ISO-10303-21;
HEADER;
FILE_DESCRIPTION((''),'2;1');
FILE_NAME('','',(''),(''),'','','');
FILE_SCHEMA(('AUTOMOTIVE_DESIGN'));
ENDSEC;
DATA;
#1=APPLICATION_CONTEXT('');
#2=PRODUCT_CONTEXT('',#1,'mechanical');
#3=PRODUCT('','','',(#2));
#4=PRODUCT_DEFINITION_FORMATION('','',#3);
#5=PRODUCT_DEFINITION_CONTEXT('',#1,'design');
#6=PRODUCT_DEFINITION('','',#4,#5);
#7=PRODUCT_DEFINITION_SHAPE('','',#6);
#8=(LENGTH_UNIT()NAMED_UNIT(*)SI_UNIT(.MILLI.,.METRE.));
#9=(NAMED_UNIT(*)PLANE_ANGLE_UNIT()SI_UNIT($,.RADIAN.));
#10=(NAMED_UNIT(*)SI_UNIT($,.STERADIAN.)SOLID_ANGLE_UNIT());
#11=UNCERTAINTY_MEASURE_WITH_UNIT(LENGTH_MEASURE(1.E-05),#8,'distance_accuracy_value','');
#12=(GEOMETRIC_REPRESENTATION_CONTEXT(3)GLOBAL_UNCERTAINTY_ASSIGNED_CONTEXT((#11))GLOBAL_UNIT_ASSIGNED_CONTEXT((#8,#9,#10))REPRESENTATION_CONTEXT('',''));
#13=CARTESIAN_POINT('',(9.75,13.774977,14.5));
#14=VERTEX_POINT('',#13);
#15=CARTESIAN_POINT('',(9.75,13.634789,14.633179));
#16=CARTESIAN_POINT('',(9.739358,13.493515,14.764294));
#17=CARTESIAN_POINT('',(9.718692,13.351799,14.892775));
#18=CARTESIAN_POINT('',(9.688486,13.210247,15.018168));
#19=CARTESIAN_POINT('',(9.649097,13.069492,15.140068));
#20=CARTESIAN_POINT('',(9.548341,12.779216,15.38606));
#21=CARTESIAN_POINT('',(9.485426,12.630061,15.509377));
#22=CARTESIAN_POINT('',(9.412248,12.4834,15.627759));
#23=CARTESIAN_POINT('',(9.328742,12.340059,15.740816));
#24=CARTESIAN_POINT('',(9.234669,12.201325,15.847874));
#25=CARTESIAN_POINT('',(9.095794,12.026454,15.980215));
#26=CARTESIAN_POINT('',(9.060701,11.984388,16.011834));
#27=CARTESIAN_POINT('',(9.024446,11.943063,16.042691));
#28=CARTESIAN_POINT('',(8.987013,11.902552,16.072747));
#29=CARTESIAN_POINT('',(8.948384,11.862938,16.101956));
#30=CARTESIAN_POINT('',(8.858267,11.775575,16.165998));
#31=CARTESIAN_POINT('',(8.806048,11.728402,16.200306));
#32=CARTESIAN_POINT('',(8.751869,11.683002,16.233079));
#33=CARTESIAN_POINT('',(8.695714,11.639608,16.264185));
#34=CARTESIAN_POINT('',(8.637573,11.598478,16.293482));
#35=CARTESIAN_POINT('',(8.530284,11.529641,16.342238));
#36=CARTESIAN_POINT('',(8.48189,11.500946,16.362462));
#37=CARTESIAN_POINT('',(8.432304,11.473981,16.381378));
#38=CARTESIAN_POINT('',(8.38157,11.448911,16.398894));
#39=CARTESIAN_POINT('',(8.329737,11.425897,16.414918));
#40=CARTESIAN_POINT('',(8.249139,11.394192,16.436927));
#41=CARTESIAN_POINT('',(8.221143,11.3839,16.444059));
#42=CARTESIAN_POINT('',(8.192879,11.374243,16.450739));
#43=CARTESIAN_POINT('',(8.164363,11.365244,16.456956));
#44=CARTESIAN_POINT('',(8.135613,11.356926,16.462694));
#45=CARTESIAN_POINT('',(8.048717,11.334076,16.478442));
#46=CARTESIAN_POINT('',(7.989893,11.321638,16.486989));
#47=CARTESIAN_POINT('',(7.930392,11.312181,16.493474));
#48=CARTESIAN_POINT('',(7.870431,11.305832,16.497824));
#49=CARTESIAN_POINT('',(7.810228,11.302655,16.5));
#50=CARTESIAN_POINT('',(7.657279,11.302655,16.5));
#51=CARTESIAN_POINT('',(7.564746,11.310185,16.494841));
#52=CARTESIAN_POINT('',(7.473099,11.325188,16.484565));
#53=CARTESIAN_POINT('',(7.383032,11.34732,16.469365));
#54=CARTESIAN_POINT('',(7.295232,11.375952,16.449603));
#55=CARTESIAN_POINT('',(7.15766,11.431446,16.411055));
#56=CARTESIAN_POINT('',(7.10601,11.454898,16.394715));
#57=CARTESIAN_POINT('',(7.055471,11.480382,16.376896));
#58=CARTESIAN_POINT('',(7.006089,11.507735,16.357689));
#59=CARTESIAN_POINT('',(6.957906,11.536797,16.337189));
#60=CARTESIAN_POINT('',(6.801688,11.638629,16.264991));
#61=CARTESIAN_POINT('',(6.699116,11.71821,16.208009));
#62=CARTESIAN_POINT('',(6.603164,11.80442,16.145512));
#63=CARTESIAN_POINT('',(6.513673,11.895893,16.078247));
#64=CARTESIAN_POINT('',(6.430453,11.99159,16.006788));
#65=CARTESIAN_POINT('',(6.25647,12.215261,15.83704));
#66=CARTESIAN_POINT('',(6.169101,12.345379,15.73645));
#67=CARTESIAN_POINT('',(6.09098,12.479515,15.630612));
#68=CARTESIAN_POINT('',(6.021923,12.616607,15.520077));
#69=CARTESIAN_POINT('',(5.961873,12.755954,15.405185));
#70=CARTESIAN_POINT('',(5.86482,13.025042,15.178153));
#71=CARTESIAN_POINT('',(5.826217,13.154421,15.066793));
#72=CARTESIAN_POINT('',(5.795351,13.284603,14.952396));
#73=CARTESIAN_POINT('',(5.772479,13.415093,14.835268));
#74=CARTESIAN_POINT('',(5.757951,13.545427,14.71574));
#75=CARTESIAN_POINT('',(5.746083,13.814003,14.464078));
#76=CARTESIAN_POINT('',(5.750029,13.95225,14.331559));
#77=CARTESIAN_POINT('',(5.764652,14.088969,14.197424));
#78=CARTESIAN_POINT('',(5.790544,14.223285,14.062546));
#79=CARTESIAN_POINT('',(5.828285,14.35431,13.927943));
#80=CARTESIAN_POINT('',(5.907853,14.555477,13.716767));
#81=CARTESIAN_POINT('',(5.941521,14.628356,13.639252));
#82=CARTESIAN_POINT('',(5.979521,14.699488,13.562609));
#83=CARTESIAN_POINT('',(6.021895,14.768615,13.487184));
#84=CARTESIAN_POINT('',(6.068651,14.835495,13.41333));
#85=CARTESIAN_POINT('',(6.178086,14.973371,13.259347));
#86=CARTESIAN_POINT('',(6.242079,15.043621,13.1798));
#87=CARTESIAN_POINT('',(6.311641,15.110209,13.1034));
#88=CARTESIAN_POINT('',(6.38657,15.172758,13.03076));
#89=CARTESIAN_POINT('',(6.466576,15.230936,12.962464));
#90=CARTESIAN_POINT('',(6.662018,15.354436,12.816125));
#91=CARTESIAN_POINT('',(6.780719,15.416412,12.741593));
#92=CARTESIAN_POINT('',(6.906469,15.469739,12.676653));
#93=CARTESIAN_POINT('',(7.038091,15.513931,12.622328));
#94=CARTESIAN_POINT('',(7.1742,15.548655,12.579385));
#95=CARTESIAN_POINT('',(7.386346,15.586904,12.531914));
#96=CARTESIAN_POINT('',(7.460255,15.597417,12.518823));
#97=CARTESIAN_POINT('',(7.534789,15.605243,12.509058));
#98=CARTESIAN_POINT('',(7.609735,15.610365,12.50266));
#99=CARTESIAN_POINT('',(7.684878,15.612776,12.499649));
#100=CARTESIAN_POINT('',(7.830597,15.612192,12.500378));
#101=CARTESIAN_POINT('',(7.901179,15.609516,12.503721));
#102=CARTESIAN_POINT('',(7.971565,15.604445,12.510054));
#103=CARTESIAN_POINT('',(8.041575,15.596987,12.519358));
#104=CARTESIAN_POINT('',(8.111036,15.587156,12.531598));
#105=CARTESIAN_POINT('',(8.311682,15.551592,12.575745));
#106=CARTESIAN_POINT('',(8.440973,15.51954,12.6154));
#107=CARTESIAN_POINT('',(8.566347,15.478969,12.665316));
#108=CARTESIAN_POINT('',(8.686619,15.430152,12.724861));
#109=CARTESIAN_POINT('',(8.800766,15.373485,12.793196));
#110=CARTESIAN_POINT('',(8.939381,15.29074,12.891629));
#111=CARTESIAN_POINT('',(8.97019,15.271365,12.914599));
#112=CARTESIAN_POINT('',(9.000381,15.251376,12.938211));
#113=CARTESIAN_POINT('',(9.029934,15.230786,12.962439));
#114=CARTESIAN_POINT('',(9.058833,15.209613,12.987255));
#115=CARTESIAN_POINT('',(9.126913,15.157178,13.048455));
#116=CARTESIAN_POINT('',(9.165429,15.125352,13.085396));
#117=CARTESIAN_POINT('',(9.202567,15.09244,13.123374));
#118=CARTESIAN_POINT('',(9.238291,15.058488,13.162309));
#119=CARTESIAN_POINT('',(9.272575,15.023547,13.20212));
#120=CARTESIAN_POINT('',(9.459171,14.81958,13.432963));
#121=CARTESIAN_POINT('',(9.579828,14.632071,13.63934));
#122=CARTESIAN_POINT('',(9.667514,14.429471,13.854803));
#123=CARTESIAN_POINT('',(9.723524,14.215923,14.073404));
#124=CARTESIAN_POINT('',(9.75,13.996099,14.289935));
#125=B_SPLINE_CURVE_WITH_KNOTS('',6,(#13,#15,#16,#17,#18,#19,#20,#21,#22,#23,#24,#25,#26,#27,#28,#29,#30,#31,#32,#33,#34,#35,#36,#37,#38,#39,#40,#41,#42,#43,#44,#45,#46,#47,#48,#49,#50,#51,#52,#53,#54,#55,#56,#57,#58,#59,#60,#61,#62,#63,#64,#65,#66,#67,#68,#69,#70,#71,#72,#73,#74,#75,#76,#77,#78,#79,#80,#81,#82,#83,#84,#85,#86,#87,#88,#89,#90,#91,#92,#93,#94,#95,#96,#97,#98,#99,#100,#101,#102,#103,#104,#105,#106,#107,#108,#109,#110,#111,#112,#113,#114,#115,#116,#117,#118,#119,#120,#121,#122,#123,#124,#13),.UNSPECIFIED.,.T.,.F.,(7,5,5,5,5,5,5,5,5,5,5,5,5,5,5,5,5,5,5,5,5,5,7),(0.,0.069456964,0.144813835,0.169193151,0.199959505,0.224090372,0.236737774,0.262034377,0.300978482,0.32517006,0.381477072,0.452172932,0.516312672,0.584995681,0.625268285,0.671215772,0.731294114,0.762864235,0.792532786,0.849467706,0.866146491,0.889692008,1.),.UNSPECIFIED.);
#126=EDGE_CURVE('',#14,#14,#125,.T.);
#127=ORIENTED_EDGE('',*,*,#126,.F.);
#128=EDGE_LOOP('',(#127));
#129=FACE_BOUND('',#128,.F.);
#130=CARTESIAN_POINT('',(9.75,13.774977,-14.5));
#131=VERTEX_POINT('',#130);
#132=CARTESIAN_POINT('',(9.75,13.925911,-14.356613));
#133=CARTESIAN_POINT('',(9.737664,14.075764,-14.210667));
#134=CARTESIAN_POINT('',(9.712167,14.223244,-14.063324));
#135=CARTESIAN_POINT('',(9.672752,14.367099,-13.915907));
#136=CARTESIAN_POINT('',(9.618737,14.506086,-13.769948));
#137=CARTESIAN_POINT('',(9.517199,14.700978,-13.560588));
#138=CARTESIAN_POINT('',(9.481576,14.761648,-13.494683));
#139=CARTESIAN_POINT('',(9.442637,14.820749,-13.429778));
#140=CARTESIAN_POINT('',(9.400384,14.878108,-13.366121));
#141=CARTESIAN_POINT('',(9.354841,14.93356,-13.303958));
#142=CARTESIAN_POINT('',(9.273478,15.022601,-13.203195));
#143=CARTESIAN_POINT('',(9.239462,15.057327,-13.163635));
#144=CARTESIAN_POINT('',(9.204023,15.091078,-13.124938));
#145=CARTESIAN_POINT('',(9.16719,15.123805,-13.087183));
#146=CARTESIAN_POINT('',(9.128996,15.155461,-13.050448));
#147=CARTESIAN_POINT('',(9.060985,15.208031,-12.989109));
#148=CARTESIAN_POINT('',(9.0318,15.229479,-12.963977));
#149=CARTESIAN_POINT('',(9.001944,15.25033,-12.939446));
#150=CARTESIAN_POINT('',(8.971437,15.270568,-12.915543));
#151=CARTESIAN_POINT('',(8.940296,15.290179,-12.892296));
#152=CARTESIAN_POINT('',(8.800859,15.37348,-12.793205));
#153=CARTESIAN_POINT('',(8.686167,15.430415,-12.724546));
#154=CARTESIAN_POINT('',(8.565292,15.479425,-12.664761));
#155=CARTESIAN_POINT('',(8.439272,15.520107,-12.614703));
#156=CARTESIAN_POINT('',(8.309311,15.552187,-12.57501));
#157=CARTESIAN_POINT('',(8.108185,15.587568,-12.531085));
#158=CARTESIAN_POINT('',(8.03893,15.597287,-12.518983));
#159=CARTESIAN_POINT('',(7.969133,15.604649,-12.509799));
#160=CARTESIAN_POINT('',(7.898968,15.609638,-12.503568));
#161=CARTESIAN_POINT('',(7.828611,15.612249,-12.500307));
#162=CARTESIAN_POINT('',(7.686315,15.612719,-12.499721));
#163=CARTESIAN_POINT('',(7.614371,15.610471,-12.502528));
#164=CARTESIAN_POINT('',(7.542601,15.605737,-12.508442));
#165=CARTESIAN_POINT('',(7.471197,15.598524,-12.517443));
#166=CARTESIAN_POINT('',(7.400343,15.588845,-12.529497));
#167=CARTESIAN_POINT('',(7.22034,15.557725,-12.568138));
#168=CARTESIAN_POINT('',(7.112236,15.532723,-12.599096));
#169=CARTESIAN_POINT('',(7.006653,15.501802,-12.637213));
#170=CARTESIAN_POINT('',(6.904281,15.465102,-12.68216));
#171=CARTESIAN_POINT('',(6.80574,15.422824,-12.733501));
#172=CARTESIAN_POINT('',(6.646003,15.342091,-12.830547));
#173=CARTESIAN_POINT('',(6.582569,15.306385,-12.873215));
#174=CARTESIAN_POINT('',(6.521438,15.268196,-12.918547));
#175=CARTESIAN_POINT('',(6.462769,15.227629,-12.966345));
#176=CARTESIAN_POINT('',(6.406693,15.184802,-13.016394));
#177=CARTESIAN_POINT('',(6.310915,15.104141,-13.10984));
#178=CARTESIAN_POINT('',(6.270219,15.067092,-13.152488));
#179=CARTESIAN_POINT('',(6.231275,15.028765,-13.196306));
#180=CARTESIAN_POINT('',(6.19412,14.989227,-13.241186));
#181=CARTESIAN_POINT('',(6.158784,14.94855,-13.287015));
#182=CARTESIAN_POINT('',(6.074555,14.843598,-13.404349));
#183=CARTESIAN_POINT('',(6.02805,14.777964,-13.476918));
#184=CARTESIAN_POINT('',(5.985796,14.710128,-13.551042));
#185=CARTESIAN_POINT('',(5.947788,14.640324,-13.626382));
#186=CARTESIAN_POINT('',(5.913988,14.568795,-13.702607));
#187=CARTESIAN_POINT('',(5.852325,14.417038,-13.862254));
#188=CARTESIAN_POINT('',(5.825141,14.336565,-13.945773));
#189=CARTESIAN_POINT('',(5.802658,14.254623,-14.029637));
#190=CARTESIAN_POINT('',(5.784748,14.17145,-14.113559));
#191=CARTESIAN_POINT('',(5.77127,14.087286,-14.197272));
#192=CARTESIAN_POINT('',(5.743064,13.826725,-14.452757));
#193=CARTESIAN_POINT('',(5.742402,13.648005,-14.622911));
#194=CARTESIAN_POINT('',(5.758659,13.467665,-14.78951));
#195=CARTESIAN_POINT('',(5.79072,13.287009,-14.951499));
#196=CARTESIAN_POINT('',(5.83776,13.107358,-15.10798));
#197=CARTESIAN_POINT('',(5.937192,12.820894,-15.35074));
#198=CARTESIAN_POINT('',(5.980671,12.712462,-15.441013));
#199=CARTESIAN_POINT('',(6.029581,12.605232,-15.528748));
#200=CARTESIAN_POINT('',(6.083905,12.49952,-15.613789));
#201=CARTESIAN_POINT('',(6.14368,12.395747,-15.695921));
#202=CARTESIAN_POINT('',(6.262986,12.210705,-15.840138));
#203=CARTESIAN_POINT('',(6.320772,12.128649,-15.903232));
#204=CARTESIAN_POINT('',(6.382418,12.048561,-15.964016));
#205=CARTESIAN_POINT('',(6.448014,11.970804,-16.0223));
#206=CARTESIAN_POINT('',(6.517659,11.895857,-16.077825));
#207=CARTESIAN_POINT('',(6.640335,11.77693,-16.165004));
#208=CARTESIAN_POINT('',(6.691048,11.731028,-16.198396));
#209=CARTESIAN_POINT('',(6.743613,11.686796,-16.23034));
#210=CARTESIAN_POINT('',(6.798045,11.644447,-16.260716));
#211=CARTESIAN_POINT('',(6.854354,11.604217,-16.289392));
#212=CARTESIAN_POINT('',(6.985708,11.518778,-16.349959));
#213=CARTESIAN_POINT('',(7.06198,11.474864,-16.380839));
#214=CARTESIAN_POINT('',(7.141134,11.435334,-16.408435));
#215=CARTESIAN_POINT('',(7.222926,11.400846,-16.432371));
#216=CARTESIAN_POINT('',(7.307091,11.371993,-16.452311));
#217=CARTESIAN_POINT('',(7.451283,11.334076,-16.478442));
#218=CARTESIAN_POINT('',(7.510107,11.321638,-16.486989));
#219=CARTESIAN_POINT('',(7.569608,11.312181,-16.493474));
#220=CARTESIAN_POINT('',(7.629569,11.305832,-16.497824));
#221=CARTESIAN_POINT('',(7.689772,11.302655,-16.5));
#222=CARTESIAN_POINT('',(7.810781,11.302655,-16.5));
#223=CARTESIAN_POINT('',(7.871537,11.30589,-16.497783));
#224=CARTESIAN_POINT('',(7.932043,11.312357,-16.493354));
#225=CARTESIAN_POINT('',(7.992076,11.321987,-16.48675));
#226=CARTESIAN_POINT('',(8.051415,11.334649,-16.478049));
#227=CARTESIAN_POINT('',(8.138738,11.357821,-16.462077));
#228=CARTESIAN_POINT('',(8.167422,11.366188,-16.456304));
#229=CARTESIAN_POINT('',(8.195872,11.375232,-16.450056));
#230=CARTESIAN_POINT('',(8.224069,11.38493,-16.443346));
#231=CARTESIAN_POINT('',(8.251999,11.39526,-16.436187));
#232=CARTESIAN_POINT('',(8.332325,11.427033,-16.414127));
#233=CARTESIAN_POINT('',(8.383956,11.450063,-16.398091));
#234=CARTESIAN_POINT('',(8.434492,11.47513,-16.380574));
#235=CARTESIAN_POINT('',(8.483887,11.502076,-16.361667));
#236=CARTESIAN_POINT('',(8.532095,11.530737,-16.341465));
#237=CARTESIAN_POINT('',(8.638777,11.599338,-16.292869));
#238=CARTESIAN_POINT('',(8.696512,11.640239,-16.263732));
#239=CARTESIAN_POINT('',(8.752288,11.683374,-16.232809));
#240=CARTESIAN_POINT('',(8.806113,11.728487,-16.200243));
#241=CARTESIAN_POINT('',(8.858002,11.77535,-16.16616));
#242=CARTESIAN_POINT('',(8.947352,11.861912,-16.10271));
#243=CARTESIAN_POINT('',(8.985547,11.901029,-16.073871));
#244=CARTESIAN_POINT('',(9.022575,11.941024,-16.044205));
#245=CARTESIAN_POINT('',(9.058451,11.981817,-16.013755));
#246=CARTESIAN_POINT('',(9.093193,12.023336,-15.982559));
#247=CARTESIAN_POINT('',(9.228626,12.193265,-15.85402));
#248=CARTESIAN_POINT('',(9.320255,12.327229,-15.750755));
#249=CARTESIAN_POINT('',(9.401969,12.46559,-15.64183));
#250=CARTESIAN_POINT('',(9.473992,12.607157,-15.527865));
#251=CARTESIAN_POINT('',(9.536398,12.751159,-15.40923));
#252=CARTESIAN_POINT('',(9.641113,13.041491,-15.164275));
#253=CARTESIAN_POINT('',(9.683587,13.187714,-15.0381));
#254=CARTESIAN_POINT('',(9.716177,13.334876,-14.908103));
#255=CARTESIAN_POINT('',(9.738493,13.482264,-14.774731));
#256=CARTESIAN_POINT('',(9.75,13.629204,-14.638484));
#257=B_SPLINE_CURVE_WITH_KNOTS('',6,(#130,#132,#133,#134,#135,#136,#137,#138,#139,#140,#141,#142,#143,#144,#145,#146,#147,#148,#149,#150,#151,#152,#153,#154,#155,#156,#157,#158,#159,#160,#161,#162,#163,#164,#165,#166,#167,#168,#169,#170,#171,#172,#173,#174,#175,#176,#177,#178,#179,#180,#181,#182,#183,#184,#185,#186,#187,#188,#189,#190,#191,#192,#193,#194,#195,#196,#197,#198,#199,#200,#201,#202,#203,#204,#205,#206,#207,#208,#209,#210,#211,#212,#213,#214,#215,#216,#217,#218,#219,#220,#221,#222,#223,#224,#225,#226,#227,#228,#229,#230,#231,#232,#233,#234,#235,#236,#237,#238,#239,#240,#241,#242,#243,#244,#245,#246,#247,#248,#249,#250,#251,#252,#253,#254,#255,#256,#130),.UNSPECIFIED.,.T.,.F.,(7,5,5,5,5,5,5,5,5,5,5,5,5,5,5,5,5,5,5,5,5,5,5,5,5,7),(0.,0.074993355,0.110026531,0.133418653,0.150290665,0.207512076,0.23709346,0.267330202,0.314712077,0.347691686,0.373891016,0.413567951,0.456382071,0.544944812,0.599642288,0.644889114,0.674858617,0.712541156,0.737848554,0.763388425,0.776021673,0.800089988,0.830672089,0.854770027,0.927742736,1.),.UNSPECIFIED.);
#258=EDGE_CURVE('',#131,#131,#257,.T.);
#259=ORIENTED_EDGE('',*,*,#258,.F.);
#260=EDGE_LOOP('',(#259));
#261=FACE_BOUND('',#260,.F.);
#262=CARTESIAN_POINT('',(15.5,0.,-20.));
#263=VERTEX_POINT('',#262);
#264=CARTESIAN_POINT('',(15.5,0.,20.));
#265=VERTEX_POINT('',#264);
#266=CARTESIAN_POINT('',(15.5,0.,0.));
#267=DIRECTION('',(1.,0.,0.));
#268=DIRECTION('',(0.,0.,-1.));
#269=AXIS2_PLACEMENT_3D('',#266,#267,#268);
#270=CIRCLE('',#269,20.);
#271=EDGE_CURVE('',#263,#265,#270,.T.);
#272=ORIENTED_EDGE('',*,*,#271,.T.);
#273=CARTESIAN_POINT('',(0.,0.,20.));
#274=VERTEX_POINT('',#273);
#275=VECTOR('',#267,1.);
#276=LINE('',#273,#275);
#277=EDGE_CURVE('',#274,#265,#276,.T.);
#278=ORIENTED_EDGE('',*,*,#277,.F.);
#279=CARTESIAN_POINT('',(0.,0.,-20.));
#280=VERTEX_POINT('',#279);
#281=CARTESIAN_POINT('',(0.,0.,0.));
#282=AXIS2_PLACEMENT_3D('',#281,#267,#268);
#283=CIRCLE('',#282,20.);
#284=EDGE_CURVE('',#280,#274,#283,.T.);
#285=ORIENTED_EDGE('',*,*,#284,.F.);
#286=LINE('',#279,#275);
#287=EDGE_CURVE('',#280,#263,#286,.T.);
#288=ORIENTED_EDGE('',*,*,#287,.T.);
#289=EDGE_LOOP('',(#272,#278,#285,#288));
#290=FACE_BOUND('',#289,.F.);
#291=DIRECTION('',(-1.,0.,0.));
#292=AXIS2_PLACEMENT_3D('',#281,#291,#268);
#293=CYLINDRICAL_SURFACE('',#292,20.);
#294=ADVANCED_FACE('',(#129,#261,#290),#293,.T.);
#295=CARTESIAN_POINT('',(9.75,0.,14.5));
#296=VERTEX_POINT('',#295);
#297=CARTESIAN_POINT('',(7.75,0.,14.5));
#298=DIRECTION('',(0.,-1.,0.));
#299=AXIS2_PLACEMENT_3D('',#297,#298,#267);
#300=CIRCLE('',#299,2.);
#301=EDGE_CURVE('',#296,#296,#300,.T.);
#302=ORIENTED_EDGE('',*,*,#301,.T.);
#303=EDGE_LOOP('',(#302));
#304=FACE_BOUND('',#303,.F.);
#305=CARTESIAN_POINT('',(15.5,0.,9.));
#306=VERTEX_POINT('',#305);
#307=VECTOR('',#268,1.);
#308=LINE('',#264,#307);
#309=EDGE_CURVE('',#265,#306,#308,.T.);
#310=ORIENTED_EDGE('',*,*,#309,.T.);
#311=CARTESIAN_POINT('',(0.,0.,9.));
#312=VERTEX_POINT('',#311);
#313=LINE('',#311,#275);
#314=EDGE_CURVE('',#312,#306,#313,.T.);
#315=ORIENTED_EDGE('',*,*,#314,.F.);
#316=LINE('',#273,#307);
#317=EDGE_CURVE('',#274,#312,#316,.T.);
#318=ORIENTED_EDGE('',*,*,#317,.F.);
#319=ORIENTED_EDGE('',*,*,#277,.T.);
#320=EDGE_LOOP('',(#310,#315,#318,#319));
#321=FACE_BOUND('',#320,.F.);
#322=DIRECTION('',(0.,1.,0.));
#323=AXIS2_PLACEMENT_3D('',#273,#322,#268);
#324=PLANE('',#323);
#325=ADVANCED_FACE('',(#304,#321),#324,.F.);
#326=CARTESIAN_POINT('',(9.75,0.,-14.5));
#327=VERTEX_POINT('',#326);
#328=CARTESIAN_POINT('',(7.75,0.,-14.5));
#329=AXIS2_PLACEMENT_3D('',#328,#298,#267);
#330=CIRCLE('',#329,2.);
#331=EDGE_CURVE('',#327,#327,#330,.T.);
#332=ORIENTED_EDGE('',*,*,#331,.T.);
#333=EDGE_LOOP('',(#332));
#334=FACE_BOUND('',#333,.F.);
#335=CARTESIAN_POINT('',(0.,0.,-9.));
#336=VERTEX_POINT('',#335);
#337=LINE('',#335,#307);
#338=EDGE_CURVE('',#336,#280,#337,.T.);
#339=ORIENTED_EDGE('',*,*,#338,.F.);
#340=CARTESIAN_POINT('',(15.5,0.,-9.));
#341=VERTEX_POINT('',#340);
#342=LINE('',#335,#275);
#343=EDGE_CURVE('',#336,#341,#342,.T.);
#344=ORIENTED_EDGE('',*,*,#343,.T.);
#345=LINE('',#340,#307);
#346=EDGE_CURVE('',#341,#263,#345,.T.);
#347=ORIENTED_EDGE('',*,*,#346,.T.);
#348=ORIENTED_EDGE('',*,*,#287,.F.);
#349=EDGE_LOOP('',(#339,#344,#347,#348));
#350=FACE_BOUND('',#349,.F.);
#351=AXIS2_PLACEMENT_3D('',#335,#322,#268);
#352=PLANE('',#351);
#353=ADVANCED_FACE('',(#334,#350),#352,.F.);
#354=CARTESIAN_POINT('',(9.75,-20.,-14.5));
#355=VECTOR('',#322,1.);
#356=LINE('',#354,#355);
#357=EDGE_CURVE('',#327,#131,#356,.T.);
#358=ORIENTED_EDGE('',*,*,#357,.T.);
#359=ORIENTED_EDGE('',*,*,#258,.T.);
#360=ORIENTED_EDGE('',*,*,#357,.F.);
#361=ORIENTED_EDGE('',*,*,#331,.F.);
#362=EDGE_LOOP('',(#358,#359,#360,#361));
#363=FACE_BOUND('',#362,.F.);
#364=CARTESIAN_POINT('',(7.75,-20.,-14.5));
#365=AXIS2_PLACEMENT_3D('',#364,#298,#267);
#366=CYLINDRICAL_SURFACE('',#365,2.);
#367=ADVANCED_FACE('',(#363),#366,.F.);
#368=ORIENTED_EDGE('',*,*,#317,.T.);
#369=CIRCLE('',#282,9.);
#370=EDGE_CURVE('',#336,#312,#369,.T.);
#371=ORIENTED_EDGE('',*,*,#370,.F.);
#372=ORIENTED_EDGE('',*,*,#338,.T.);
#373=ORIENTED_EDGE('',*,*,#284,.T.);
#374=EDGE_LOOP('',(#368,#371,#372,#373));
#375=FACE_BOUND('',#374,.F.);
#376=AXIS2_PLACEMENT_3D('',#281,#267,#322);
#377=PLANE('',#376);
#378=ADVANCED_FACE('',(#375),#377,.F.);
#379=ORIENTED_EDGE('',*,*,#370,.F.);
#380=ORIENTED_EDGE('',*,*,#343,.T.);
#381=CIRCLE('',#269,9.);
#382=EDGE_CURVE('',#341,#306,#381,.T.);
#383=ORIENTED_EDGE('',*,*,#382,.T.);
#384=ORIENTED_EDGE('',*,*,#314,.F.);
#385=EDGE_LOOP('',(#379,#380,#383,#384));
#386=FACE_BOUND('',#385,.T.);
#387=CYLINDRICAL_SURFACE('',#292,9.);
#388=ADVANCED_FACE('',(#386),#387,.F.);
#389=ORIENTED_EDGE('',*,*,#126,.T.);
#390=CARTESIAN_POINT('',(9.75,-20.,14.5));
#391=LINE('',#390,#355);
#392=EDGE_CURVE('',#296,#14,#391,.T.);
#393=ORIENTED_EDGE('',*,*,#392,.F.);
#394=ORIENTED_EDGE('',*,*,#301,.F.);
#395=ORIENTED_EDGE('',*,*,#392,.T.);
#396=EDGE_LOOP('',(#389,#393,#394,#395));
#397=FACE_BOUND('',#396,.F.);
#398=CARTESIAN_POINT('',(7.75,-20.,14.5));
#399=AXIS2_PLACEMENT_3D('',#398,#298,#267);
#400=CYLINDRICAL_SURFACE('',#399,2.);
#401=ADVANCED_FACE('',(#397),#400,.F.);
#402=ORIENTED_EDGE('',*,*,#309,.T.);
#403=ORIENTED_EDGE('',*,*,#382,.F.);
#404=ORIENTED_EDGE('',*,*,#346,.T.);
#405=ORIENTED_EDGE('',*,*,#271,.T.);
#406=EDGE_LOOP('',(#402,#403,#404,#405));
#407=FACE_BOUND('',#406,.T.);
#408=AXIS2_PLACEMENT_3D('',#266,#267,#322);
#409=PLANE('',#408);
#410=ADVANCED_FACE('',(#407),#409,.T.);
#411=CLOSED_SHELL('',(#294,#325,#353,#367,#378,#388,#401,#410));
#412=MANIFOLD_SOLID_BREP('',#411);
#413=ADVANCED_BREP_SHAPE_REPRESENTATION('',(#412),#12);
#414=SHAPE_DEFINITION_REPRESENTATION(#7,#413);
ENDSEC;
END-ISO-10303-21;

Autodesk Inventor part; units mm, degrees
ref_plane "YZ Plane" through (0, 0, 0) normal (1, 0, 0) x (0, 1, 0)
ref_plane "XZ Plane" through (0, 0, 0) normal (0, 1, 0) x (-1, 0, 0)
sketch "Sketch1" plane through (0, 0, 0) normal (1, 0, 0) x (0, 1, 0)
  arc A0 (0, -20) -> (0, 20) centre (0, 0) ccw
  arc A1 (0, -9) -> (0, 9) centre (0, 0) ccw
  line L0 (0, 20) -> (0, 9)
  line L1 (0, -9) -> (0, -20)
  dimension "d0" = 18
  dimension "d1" = 40
  dimension "d10" = 11
  dimension "d11" = 11
extrude "Extrusion1" add sketch "Sketch1" along normal blind 15.5
ref_plane "Work Plane1" through (0, -20, 0) normal (0, -1, 0) x (1, 0, 0)
sketch "Sketch2" plane through (0, -20, 0) normal (0, -1, 0) x (1, 0, 0)
  line L0 (0, 20) -> (0, 9) projected
  line L1 (0, 9) -> (15.5, 9) projected
  line L2 (15.5, 20) -> (15.5, 9) projected
  line L3 (0, 20) -> (15.5, 20) projected
  line L4 (0, -9) -> (0, -20) projected
  line L5 (0, -20) -> (15.5, -20) projected
  line L6 (15.5, -9) -> (15.5, -20) projected
  line L7 (0, -9) -> (15.5, -9) projected
  circle A0 centre (7.75, 14.5) radius 2
  circle A1 centre (7.75, -14.5) radius 2
  line L8 (15.5, 14.5) -> (0, 14.5) construction
  line L9 (7.75, 9) -> (7.75, 20) construction
  line L10 (7.75, -9) -> (7.75, -20) construction
  line L11 (0, -14.5) -> (15.5, -14.5) construction
  point P0 (0, 0)
  dimension "d6" = 4
  dimension "d7" = 4
extrude "Extrusion2" cut sketch "Sketch2" against normal through all contours A0 | A1
equation "\"d7\" = d6"
